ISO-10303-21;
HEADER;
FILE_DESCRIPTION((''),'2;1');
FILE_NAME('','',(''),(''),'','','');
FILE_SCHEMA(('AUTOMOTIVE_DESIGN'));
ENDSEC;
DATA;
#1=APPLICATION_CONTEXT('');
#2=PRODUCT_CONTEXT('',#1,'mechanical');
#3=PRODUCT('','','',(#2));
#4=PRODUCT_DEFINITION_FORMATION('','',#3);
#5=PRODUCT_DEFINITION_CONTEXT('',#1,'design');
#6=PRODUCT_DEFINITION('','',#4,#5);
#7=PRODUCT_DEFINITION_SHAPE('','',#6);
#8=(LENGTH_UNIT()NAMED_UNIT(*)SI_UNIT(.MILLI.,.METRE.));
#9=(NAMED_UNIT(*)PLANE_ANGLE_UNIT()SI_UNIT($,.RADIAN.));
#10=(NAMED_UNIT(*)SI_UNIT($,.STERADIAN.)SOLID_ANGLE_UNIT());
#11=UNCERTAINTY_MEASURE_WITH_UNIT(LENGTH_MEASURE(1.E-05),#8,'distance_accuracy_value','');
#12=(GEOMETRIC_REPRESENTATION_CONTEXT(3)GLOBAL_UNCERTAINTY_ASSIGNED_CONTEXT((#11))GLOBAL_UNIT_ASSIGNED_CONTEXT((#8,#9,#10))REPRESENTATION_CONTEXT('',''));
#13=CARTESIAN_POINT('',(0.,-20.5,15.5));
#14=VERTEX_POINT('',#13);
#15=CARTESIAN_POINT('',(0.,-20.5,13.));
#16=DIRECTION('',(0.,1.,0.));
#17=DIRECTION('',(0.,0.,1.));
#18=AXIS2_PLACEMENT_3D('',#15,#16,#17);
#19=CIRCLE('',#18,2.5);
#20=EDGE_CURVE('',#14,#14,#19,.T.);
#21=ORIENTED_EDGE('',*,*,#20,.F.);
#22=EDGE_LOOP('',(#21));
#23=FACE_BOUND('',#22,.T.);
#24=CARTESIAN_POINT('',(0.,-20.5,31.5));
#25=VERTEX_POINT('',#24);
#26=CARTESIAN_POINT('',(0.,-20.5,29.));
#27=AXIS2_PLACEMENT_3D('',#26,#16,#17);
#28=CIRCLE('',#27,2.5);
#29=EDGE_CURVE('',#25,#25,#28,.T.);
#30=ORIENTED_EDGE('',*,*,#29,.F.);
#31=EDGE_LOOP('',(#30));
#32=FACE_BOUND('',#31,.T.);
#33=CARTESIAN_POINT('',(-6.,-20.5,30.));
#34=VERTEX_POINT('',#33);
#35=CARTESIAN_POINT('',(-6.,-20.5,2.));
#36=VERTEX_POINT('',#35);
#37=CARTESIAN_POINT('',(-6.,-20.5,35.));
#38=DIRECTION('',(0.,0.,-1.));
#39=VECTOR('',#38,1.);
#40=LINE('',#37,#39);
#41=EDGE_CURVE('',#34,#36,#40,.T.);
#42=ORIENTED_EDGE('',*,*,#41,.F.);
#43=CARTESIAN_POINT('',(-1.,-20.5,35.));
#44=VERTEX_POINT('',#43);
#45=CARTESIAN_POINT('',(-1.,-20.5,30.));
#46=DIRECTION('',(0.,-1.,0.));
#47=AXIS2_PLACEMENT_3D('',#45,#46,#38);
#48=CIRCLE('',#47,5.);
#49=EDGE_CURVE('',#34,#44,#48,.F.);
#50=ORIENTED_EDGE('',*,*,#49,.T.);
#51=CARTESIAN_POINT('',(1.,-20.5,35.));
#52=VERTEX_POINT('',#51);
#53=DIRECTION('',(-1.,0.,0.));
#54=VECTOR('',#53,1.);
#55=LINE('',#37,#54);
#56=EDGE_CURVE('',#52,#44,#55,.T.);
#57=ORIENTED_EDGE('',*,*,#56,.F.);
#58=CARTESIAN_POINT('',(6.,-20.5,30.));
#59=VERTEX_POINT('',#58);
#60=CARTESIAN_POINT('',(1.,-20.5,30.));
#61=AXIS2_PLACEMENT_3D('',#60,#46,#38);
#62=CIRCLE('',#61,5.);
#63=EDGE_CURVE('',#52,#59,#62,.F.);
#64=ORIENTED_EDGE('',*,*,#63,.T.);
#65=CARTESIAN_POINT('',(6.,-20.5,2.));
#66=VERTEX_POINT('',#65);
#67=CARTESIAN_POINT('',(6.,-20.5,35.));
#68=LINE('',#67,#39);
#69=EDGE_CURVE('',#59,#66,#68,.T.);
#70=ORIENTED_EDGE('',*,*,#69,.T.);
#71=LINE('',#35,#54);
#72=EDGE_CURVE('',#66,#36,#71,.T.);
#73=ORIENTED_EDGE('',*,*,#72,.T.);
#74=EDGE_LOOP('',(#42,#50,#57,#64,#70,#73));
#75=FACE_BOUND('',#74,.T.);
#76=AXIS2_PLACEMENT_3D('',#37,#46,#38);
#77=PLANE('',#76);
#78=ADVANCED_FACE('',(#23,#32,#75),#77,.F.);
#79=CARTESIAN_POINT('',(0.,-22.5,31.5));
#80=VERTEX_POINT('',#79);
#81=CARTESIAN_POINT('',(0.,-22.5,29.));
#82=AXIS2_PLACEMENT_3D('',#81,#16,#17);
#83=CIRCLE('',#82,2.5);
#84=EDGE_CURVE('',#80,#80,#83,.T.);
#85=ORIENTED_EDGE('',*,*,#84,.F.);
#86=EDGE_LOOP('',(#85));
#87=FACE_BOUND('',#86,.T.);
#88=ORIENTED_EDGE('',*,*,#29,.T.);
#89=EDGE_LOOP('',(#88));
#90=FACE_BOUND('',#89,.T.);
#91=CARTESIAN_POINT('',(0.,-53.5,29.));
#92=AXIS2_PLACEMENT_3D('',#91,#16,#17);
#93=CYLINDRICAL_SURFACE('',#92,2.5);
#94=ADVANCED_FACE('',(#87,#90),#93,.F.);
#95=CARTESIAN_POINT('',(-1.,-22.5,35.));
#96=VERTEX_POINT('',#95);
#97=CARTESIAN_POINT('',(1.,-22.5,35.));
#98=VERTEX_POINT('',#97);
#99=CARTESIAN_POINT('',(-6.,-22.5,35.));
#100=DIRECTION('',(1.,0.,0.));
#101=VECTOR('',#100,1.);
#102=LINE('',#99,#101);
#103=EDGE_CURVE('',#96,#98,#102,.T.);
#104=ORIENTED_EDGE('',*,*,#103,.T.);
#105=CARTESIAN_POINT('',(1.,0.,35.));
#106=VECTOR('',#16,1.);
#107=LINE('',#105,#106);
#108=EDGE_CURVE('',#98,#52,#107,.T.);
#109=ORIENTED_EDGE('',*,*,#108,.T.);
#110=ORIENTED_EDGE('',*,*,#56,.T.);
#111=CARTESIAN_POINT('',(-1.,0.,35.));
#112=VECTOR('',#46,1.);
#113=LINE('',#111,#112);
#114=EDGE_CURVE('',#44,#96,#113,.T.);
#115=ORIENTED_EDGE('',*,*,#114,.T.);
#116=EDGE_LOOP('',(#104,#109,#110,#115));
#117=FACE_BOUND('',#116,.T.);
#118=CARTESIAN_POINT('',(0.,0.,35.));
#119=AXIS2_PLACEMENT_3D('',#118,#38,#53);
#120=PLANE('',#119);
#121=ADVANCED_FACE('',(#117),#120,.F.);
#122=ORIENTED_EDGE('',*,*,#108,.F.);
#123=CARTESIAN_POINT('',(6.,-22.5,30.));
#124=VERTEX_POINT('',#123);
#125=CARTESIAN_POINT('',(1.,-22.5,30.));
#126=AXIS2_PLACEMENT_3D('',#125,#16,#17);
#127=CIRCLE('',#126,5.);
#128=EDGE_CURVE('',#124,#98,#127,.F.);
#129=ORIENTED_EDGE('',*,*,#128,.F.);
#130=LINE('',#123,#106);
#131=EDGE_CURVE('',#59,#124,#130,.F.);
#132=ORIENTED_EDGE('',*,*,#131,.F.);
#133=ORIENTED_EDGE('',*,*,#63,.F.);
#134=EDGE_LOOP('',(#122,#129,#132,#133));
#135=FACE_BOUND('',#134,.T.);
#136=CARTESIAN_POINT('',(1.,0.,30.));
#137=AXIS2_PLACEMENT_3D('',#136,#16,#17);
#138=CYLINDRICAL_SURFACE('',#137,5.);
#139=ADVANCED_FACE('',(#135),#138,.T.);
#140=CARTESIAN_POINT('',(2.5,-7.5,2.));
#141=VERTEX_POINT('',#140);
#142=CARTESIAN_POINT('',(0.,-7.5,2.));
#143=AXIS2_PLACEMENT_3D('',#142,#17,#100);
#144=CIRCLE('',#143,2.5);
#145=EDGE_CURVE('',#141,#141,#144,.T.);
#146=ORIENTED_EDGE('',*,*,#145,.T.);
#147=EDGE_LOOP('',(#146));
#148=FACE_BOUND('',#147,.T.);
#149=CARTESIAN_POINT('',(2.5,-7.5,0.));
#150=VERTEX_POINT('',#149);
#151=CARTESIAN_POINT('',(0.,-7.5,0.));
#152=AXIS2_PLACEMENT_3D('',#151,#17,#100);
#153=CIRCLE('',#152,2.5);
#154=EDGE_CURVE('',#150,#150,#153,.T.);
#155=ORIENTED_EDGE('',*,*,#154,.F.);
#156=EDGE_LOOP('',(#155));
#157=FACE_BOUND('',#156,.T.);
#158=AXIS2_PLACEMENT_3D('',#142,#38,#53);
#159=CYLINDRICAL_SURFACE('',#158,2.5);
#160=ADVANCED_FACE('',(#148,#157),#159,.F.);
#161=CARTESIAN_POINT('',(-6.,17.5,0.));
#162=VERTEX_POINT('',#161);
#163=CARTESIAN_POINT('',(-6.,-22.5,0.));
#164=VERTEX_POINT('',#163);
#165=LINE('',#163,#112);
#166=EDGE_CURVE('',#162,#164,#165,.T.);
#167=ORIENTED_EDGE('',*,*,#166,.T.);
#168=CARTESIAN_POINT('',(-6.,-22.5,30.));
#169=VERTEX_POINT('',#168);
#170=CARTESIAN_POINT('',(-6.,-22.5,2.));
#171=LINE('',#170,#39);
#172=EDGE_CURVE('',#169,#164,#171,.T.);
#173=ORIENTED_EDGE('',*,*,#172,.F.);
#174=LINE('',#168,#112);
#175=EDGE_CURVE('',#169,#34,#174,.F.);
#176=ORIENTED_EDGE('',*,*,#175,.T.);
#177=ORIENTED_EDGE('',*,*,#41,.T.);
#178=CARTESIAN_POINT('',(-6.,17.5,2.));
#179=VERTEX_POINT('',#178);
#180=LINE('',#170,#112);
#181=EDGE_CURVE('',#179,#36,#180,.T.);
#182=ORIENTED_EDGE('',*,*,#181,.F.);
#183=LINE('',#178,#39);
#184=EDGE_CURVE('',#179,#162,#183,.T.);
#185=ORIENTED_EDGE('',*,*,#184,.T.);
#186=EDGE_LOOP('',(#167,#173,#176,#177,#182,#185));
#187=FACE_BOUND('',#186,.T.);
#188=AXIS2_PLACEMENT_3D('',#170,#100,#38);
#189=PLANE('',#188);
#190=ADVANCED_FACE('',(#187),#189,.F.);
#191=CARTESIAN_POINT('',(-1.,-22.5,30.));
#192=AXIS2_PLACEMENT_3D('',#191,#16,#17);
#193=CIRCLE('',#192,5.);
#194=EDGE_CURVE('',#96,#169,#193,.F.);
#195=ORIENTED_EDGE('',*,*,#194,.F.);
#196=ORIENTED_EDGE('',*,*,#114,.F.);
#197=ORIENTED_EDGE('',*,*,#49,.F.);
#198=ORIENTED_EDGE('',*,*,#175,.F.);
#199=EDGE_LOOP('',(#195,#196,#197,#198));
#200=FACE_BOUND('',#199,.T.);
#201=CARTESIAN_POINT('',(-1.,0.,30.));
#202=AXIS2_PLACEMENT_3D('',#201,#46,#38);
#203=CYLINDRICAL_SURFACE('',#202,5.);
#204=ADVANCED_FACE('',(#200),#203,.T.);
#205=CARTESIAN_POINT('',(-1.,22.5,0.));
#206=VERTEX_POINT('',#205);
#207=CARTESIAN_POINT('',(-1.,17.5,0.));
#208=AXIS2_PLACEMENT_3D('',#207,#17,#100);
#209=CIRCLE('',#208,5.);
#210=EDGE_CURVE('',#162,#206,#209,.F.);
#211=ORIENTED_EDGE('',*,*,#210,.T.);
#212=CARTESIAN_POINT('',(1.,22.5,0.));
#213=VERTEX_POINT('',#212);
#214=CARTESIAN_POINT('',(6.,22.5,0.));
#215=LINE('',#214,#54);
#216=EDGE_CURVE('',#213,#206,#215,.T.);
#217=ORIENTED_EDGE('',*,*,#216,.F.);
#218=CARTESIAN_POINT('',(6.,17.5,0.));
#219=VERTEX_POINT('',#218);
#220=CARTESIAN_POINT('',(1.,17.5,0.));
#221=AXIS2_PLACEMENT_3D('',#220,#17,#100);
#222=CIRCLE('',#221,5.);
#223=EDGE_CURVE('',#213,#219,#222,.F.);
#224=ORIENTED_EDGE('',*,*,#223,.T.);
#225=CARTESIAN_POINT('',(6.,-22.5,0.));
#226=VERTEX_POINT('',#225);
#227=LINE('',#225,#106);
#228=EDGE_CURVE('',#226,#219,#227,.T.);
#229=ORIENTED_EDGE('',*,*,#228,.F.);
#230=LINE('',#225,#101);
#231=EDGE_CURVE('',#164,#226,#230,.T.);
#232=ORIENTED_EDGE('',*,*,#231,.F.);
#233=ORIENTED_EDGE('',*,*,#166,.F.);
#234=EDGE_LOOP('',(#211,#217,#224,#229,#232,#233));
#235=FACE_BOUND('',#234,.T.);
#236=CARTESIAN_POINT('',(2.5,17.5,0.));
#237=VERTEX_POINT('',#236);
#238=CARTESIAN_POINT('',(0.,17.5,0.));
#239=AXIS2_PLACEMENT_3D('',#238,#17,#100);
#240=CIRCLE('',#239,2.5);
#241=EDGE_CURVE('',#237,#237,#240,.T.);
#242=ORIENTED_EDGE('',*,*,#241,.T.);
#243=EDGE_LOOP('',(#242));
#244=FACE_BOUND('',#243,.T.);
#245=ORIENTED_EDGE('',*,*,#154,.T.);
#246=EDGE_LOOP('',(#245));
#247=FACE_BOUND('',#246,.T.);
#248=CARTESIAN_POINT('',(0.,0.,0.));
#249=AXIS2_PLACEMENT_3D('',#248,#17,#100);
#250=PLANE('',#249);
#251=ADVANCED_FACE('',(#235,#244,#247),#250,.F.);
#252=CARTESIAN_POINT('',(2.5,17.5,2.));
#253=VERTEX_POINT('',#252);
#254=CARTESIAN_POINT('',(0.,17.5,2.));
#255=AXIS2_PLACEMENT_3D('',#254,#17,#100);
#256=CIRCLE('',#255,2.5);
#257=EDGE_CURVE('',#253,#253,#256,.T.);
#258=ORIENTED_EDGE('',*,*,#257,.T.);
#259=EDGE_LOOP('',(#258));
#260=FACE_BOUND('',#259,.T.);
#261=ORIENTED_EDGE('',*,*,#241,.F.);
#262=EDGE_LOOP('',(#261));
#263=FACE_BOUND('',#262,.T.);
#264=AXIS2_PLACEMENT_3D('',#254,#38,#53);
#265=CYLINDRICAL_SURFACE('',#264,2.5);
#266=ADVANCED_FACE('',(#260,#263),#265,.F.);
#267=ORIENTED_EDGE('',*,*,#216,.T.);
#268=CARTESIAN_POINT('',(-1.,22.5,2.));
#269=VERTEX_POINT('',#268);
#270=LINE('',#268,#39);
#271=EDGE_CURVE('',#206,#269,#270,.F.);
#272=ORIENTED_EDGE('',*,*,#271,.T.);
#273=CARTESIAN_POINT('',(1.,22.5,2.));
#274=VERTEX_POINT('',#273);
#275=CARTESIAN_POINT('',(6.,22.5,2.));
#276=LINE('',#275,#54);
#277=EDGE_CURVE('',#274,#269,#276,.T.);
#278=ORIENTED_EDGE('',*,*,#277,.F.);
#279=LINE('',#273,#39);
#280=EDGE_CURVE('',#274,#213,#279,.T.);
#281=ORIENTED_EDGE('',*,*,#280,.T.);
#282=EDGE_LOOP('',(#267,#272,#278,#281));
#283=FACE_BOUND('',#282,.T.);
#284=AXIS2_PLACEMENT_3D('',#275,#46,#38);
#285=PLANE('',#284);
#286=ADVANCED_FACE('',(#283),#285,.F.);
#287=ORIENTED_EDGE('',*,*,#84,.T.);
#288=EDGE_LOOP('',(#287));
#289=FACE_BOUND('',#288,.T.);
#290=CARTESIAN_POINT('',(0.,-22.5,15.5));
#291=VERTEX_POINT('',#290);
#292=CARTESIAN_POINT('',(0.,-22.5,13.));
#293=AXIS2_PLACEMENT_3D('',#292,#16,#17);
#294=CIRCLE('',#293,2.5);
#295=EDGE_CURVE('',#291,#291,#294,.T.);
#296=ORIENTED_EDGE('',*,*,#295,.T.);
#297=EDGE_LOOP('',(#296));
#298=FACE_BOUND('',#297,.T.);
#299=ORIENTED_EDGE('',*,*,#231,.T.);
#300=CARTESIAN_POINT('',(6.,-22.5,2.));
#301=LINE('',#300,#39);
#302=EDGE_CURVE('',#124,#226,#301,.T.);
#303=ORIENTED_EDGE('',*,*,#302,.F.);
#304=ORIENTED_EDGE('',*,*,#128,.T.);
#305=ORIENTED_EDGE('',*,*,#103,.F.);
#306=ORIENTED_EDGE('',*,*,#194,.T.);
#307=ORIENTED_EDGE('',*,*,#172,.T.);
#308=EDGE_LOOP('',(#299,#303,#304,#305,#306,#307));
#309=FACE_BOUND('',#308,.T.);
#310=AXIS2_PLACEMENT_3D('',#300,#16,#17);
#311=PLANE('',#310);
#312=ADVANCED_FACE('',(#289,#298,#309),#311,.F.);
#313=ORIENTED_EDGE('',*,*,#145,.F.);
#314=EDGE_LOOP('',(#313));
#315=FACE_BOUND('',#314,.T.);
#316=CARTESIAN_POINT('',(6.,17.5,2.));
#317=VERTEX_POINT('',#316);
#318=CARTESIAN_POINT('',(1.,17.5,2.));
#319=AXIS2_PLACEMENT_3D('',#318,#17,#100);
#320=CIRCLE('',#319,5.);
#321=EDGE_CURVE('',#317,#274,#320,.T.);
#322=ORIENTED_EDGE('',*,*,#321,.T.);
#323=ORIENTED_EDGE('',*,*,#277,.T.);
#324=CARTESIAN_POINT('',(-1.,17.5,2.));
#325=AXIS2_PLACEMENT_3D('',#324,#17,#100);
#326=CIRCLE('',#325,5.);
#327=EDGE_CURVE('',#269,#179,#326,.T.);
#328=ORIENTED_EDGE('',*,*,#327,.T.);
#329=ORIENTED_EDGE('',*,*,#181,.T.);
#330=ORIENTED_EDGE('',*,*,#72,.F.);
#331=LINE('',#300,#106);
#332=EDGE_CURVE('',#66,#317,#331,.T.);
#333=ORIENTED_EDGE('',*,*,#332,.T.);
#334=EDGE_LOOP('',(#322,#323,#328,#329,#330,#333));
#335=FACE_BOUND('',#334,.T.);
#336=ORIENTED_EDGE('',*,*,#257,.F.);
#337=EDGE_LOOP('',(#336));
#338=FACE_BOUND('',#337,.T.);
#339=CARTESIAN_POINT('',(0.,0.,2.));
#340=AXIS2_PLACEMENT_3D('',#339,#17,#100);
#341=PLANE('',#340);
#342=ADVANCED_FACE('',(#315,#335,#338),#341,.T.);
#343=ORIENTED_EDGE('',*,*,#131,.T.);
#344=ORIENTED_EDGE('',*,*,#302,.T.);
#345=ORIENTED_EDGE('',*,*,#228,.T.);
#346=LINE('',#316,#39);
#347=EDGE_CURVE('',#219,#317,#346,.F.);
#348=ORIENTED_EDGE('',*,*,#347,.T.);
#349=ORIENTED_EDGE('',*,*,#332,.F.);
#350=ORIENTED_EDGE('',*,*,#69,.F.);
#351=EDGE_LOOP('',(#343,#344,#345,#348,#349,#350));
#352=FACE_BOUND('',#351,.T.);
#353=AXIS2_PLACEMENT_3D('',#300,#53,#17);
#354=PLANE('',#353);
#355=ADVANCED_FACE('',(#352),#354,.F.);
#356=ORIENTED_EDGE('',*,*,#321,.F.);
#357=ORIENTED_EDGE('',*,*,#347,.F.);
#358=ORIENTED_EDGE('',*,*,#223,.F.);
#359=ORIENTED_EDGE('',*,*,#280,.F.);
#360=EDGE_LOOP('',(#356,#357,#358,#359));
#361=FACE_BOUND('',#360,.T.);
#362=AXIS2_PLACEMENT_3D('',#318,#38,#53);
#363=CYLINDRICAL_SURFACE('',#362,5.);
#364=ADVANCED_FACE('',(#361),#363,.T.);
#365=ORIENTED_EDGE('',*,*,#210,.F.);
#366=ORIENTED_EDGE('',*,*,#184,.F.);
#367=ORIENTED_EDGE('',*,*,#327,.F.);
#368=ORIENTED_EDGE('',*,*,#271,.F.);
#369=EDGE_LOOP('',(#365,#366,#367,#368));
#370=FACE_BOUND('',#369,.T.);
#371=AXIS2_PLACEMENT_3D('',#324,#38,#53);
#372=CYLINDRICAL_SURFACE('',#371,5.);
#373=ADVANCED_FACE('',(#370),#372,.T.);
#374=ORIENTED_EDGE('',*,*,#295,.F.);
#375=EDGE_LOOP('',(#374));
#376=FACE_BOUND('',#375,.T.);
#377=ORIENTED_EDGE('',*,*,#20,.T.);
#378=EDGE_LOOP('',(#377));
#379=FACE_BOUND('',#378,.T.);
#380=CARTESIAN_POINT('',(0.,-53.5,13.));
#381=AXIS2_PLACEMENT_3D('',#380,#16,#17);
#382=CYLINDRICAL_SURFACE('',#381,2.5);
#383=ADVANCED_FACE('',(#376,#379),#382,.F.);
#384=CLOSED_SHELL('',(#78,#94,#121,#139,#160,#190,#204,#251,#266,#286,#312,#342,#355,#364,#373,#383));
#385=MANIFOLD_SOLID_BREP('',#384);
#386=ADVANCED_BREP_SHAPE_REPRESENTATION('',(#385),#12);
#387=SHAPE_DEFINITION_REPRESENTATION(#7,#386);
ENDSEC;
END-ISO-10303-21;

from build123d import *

# Parameters (mm, degrees)
SKETCH1_W           = 12
SKETCH1_H           = 45
SKETCH1_R           = 2.5
BOSS_EXTRUDE1_DEPTH = 2
FILLET3_R           = 5
SKETCH2_W           = 12
SKETCH2_H           = 2
BOSS_EXTRUDE2_DEPTH = 33
SKETCH3_R           = 2.5
CUT_EXTRUDE1_DEPTH  = 33
FILLET4_R           = 5


with BuildPart() as part:
    # Sketch1 → Boss-Extrude1 (new body)
    with BuildSketch(Plane.XY):
        Rectangle(SKETCH1_W, SKETCH1_H)
        with Locations((0, -7.5)):
            Circle(SKETCH1_R, mode=Mode.SUBTRACT)
        with Locations((0, 17.5)):
            Circle(SKETCH1_R, mode=Mode.SUBTRACT)
    extrude(amount=BOSS_EXTRUDE1_DEPTH)

    # Fillet3
    fillet3_edges = [part.edges().sort_by_distance(p)[0] for p in [
        (-6, 22.5, 1),
        (6, 22.5, 1),
    ]]
    fillet(fillet3_edges, radius=FILLET3_R)

    # Sketch2 → Boss-Extrude2 (add)
    with BuildSketch(Plane.XY.offset(2)):
        with Locations((0, -21.5)):
            Rectangle(SKETCH2_W, SKETCH2_H)
    extrude(amount=BOSS_EXTRUDE2_DEPTH)

    # Sketch3 → Cut-Extrude1 (cut)
    with BuildSketch(Plane(origin=(0, -20.5, 0), x_dir=(1, 0, 0), z_dir=(0, 1, 0))):
        with Locations((0, -13)):
            Circle(SKETCH3_R)
        with Locations((0, -29)):
            Circle(SKETCH3_R)
    extrude(amount=-CUT_EXTRUDE1_DEPTH, mode=Mode.SUBTRACT)

    # Fillet4
    fillet4_edges = [part.edges().sort_by_distance(p)[0] for p in [
        (-6, -21.5, 35),
        (6, -21.5, 35),
    ]]
    fillet(fillet4_edges, radius=FILLET4_R)


solid = part.part
